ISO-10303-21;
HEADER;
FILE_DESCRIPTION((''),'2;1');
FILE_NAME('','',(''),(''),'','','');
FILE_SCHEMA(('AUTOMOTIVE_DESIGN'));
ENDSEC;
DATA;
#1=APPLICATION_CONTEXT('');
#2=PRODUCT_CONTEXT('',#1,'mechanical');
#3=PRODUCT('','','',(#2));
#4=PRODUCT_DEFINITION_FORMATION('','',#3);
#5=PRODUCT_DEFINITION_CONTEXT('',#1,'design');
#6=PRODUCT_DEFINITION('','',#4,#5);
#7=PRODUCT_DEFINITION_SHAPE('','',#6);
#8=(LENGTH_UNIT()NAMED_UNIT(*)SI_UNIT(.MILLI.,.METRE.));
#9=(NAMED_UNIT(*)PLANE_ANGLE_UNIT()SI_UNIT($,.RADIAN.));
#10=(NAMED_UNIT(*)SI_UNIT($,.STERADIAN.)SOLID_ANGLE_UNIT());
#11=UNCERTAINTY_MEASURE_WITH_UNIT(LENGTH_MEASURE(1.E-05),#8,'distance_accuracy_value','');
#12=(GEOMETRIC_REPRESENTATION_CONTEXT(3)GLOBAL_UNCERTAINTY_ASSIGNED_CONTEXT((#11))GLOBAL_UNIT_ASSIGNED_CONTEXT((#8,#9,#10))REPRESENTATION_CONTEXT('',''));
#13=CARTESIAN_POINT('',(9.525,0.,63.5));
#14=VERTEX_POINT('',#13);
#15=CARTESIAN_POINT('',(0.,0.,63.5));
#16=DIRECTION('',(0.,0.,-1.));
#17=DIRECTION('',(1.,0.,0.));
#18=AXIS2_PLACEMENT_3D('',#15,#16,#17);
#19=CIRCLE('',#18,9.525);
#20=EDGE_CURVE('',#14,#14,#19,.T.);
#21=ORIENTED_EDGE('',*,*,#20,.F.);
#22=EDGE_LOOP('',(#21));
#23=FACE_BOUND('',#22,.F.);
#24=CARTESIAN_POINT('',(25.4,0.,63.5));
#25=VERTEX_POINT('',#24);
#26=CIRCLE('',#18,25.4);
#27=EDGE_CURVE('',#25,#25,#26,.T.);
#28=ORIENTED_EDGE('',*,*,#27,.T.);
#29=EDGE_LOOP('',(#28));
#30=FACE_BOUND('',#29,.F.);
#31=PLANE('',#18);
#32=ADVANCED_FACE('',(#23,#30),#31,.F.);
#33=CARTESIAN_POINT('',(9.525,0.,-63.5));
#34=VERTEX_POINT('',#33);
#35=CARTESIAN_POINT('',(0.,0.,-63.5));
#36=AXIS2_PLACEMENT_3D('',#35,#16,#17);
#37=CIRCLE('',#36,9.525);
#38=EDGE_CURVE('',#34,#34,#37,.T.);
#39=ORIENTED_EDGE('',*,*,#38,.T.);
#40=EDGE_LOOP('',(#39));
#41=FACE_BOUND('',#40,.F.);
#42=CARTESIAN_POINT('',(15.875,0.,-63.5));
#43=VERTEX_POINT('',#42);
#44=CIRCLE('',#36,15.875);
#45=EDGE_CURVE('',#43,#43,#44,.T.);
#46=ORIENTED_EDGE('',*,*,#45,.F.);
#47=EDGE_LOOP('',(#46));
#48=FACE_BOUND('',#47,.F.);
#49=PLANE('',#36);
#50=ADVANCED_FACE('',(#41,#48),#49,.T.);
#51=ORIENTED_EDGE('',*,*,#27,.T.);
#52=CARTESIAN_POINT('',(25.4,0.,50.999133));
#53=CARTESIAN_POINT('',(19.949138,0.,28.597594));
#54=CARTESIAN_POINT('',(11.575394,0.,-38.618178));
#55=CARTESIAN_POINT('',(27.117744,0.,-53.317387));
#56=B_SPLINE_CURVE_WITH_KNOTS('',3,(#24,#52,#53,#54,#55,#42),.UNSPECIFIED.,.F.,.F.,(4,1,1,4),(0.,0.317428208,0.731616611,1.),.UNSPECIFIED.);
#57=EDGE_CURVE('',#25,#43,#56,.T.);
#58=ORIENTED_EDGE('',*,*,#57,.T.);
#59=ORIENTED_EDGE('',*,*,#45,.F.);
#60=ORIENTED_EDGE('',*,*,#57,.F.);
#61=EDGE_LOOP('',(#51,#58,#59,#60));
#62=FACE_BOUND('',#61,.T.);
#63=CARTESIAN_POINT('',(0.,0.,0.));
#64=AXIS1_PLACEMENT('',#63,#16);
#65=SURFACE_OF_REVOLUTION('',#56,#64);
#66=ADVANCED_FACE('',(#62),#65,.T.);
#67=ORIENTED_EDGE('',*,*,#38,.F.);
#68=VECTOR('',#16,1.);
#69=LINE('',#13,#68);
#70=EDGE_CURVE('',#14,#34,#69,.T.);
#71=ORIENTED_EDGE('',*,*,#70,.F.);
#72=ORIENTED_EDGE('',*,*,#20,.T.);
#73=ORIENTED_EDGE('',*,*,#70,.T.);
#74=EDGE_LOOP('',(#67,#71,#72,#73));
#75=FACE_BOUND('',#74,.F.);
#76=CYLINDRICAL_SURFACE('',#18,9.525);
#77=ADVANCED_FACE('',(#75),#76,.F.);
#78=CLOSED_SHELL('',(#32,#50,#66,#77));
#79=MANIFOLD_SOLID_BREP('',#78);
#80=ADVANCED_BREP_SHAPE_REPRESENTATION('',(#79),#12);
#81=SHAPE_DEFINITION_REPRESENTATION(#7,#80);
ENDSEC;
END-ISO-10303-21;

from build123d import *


with BuildPart() as f1:
    # F0 (on Front) → F1 (revolve)
    with BuildSketch(Plane.XZ):
        with BuildLine():
            Line((9.525, 63.5), (9.525, -63.5))
            Line((9.525, -63.5), (15.875, -63.5))
            add(Edge.make_bspline(
                [(25.4, 63.5), (25.4, 50.9991330852), (19.9491379893, 28.5975938893), (11.5753942361, -38.6181777876), (27.1177440882, -53.317386657), (15.875, -63.5)],
                knots=[0, 0, 0, 0, 0.3174282083, 0.7316166106, 1, 1, 1, 1], degree=3))
            Line((25.4, 63.5), (9.525, 63.5))
        make_face()
    revolve(axis=Axis((0, 0, 0), (0, 0, -1)))


solid = f1.part
